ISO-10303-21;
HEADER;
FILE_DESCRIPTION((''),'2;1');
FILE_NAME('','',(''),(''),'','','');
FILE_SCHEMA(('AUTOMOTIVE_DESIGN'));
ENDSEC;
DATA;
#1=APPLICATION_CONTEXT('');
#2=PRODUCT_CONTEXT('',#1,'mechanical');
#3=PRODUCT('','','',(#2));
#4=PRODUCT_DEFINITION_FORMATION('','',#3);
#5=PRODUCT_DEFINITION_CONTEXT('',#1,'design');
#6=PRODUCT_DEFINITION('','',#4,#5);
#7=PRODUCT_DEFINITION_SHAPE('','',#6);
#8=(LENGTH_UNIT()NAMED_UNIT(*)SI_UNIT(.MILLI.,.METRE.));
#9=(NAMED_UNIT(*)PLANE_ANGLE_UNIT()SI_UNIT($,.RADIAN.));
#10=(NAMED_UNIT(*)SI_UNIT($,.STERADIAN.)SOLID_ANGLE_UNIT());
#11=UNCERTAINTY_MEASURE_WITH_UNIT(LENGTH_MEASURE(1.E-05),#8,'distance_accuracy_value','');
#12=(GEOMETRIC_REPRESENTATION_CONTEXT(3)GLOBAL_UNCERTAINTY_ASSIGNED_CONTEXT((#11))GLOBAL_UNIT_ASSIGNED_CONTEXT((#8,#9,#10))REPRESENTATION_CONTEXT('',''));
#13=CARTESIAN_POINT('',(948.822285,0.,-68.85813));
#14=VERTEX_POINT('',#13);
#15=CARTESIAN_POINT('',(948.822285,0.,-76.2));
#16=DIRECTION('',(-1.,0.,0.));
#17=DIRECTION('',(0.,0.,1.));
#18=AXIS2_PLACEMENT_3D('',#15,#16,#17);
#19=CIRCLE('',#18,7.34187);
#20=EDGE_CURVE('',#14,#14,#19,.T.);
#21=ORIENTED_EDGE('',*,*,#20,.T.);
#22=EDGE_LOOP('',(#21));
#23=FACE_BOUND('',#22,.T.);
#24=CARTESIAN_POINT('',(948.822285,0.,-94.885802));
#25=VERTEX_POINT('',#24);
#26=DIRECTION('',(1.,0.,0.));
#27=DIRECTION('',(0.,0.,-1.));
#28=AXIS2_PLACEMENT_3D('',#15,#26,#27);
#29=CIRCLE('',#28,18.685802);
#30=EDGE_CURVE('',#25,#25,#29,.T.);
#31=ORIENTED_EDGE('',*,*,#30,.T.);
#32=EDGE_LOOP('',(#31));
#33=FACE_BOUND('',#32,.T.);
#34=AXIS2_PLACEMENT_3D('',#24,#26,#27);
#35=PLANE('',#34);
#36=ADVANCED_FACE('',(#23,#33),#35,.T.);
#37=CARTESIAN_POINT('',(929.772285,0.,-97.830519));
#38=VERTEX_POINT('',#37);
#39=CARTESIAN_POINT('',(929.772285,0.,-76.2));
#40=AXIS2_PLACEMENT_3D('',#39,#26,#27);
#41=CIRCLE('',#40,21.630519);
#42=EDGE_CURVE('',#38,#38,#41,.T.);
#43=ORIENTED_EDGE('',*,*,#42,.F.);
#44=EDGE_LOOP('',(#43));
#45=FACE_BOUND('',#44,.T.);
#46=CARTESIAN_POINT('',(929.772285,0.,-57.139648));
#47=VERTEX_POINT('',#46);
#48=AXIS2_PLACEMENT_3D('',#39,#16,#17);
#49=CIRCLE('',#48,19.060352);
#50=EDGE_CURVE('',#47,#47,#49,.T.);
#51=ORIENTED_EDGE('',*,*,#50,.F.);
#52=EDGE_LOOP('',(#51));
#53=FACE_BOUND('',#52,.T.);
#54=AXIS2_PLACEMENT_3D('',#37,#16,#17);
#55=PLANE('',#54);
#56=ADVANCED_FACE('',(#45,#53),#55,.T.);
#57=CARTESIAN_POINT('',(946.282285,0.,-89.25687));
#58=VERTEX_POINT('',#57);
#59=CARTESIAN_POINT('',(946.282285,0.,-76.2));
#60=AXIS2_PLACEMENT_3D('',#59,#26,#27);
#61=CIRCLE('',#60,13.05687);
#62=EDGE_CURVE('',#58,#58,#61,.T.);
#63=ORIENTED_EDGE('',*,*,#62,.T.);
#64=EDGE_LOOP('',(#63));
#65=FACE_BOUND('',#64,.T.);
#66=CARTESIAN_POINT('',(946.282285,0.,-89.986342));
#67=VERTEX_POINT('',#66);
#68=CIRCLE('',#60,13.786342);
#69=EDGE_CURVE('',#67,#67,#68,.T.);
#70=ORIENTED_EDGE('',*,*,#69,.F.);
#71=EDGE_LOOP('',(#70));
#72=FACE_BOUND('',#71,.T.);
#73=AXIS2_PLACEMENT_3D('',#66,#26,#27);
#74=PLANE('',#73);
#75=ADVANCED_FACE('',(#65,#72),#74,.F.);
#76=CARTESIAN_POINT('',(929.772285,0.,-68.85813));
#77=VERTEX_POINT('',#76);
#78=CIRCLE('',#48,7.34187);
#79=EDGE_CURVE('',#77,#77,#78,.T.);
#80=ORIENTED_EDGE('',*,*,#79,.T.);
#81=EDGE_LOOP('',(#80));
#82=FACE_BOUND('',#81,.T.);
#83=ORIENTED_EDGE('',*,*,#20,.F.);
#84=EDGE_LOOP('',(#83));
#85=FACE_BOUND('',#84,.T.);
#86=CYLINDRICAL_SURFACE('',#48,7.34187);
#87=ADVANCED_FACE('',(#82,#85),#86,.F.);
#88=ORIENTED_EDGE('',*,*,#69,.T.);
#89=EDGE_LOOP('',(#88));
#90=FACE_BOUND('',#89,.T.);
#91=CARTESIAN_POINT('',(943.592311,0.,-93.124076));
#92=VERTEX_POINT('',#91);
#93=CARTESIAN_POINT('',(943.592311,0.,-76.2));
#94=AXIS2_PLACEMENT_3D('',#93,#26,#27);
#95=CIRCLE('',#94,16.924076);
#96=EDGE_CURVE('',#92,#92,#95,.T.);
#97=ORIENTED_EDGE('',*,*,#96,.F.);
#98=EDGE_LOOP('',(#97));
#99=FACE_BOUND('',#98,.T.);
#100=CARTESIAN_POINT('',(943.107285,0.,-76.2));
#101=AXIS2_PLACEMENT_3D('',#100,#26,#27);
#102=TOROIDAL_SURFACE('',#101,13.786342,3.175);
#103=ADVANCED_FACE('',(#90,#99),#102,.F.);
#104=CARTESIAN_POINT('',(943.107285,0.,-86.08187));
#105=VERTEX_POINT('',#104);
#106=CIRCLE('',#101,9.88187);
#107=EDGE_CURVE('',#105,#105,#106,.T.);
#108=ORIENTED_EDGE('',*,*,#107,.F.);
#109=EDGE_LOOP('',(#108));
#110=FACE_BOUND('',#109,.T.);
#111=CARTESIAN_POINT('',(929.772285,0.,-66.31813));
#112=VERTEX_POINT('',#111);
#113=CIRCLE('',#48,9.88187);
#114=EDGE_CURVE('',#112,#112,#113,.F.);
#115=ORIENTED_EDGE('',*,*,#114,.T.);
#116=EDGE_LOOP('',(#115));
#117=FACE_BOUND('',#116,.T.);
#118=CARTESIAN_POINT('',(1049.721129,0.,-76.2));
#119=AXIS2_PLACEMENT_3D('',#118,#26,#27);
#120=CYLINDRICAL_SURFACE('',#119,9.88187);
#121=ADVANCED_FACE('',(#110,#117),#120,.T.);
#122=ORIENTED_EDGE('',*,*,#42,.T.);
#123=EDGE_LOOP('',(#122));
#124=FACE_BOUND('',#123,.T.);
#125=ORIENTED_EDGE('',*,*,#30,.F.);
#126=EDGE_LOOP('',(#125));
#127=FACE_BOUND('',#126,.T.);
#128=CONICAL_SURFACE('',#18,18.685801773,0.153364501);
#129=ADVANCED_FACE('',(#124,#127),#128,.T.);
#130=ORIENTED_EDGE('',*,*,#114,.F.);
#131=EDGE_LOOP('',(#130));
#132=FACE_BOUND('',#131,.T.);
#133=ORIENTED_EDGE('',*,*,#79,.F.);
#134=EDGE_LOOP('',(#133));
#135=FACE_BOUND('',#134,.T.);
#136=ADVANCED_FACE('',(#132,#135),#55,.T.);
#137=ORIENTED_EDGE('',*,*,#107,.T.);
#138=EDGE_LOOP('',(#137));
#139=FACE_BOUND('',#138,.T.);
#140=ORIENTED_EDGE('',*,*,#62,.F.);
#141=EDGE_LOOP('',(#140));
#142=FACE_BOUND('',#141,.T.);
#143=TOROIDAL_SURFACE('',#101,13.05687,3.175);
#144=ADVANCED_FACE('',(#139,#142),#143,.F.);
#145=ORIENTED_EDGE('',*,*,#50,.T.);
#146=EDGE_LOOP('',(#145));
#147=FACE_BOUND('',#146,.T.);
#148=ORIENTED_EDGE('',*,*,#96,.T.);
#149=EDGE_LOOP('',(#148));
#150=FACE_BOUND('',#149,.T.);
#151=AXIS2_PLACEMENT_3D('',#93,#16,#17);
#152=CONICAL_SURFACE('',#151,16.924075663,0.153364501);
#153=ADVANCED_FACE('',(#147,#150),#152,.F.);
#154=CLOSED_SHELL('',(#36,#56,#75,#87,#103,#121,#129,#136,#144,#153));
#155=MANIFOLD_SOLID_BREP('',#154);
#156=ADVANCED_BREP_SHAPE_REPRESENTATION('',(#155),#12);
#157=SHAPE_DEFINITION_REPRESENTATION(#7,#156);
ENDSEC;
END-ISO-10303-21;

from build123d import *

# Parameters (mm, degrees)
TAPPED_HOLE_FOR_9_16_12_HELICOIL1_D = 14.68374


with BuildPart() as part:
    # Sketch1 → Revolve2 (revolve)
    with BuildSketch(Plane(origin=(0, 0, 0), x_dir=(1, 0, 0), z_dir=(0, 1, 0))):
        Polygon((929.772285353, 97.830519041), (929.772285353, 76.2), (948.822285353, 76.2), (948.822285353, 94.885801773), align=None)
    revolve(axis=Axis((1049.721128595, 0, -76.2), (-1, 0, 0)))

    # Tapped Hole for 9/16-12 Helicoil1 (through all)
    with Locations(Plane.ZY.offset(-929.772285353)):
        with Locations((-76.2, 0)):
            Hole(TAPPED_HOLE_FOR_9_16_12_HELICOIL1_D / 2)

    # Sketch5 → Cut-Revolve1 (revolve, cut)
    with BuildSketch(Plane(origin=(0, 0, 0), x_dir=(1, 0, 0), z_dir=(0, 1, 0))):
        with BuildLine():
            Line((927.609152682, 95.594725662), (927.609152682, 86.08187))
            Line((927.609152682, 86.08187), (943.107285353, 86.08187))
            ThreePointArc((943.107285353, 86.08187), (945.352349383, 87.01180597), (946.282285353, 89.25687))
            Line((946.282285353, 89.25687), (946.282285353, 89.986341597))
            ThreePointArc((946.282285353, 89.986341597), (945.517739835, 92.052820291), (943.592311059, 93.124075663))
            Line((943.592311059, 93.124075663), (927.609152682, 95.594725662))
        make_face()
    revolve(axis=Axis((1049.721128595, 0, -76.2), (-1, 0, 0)), mode=Mode.SUBTRACT)


solid = part.part
